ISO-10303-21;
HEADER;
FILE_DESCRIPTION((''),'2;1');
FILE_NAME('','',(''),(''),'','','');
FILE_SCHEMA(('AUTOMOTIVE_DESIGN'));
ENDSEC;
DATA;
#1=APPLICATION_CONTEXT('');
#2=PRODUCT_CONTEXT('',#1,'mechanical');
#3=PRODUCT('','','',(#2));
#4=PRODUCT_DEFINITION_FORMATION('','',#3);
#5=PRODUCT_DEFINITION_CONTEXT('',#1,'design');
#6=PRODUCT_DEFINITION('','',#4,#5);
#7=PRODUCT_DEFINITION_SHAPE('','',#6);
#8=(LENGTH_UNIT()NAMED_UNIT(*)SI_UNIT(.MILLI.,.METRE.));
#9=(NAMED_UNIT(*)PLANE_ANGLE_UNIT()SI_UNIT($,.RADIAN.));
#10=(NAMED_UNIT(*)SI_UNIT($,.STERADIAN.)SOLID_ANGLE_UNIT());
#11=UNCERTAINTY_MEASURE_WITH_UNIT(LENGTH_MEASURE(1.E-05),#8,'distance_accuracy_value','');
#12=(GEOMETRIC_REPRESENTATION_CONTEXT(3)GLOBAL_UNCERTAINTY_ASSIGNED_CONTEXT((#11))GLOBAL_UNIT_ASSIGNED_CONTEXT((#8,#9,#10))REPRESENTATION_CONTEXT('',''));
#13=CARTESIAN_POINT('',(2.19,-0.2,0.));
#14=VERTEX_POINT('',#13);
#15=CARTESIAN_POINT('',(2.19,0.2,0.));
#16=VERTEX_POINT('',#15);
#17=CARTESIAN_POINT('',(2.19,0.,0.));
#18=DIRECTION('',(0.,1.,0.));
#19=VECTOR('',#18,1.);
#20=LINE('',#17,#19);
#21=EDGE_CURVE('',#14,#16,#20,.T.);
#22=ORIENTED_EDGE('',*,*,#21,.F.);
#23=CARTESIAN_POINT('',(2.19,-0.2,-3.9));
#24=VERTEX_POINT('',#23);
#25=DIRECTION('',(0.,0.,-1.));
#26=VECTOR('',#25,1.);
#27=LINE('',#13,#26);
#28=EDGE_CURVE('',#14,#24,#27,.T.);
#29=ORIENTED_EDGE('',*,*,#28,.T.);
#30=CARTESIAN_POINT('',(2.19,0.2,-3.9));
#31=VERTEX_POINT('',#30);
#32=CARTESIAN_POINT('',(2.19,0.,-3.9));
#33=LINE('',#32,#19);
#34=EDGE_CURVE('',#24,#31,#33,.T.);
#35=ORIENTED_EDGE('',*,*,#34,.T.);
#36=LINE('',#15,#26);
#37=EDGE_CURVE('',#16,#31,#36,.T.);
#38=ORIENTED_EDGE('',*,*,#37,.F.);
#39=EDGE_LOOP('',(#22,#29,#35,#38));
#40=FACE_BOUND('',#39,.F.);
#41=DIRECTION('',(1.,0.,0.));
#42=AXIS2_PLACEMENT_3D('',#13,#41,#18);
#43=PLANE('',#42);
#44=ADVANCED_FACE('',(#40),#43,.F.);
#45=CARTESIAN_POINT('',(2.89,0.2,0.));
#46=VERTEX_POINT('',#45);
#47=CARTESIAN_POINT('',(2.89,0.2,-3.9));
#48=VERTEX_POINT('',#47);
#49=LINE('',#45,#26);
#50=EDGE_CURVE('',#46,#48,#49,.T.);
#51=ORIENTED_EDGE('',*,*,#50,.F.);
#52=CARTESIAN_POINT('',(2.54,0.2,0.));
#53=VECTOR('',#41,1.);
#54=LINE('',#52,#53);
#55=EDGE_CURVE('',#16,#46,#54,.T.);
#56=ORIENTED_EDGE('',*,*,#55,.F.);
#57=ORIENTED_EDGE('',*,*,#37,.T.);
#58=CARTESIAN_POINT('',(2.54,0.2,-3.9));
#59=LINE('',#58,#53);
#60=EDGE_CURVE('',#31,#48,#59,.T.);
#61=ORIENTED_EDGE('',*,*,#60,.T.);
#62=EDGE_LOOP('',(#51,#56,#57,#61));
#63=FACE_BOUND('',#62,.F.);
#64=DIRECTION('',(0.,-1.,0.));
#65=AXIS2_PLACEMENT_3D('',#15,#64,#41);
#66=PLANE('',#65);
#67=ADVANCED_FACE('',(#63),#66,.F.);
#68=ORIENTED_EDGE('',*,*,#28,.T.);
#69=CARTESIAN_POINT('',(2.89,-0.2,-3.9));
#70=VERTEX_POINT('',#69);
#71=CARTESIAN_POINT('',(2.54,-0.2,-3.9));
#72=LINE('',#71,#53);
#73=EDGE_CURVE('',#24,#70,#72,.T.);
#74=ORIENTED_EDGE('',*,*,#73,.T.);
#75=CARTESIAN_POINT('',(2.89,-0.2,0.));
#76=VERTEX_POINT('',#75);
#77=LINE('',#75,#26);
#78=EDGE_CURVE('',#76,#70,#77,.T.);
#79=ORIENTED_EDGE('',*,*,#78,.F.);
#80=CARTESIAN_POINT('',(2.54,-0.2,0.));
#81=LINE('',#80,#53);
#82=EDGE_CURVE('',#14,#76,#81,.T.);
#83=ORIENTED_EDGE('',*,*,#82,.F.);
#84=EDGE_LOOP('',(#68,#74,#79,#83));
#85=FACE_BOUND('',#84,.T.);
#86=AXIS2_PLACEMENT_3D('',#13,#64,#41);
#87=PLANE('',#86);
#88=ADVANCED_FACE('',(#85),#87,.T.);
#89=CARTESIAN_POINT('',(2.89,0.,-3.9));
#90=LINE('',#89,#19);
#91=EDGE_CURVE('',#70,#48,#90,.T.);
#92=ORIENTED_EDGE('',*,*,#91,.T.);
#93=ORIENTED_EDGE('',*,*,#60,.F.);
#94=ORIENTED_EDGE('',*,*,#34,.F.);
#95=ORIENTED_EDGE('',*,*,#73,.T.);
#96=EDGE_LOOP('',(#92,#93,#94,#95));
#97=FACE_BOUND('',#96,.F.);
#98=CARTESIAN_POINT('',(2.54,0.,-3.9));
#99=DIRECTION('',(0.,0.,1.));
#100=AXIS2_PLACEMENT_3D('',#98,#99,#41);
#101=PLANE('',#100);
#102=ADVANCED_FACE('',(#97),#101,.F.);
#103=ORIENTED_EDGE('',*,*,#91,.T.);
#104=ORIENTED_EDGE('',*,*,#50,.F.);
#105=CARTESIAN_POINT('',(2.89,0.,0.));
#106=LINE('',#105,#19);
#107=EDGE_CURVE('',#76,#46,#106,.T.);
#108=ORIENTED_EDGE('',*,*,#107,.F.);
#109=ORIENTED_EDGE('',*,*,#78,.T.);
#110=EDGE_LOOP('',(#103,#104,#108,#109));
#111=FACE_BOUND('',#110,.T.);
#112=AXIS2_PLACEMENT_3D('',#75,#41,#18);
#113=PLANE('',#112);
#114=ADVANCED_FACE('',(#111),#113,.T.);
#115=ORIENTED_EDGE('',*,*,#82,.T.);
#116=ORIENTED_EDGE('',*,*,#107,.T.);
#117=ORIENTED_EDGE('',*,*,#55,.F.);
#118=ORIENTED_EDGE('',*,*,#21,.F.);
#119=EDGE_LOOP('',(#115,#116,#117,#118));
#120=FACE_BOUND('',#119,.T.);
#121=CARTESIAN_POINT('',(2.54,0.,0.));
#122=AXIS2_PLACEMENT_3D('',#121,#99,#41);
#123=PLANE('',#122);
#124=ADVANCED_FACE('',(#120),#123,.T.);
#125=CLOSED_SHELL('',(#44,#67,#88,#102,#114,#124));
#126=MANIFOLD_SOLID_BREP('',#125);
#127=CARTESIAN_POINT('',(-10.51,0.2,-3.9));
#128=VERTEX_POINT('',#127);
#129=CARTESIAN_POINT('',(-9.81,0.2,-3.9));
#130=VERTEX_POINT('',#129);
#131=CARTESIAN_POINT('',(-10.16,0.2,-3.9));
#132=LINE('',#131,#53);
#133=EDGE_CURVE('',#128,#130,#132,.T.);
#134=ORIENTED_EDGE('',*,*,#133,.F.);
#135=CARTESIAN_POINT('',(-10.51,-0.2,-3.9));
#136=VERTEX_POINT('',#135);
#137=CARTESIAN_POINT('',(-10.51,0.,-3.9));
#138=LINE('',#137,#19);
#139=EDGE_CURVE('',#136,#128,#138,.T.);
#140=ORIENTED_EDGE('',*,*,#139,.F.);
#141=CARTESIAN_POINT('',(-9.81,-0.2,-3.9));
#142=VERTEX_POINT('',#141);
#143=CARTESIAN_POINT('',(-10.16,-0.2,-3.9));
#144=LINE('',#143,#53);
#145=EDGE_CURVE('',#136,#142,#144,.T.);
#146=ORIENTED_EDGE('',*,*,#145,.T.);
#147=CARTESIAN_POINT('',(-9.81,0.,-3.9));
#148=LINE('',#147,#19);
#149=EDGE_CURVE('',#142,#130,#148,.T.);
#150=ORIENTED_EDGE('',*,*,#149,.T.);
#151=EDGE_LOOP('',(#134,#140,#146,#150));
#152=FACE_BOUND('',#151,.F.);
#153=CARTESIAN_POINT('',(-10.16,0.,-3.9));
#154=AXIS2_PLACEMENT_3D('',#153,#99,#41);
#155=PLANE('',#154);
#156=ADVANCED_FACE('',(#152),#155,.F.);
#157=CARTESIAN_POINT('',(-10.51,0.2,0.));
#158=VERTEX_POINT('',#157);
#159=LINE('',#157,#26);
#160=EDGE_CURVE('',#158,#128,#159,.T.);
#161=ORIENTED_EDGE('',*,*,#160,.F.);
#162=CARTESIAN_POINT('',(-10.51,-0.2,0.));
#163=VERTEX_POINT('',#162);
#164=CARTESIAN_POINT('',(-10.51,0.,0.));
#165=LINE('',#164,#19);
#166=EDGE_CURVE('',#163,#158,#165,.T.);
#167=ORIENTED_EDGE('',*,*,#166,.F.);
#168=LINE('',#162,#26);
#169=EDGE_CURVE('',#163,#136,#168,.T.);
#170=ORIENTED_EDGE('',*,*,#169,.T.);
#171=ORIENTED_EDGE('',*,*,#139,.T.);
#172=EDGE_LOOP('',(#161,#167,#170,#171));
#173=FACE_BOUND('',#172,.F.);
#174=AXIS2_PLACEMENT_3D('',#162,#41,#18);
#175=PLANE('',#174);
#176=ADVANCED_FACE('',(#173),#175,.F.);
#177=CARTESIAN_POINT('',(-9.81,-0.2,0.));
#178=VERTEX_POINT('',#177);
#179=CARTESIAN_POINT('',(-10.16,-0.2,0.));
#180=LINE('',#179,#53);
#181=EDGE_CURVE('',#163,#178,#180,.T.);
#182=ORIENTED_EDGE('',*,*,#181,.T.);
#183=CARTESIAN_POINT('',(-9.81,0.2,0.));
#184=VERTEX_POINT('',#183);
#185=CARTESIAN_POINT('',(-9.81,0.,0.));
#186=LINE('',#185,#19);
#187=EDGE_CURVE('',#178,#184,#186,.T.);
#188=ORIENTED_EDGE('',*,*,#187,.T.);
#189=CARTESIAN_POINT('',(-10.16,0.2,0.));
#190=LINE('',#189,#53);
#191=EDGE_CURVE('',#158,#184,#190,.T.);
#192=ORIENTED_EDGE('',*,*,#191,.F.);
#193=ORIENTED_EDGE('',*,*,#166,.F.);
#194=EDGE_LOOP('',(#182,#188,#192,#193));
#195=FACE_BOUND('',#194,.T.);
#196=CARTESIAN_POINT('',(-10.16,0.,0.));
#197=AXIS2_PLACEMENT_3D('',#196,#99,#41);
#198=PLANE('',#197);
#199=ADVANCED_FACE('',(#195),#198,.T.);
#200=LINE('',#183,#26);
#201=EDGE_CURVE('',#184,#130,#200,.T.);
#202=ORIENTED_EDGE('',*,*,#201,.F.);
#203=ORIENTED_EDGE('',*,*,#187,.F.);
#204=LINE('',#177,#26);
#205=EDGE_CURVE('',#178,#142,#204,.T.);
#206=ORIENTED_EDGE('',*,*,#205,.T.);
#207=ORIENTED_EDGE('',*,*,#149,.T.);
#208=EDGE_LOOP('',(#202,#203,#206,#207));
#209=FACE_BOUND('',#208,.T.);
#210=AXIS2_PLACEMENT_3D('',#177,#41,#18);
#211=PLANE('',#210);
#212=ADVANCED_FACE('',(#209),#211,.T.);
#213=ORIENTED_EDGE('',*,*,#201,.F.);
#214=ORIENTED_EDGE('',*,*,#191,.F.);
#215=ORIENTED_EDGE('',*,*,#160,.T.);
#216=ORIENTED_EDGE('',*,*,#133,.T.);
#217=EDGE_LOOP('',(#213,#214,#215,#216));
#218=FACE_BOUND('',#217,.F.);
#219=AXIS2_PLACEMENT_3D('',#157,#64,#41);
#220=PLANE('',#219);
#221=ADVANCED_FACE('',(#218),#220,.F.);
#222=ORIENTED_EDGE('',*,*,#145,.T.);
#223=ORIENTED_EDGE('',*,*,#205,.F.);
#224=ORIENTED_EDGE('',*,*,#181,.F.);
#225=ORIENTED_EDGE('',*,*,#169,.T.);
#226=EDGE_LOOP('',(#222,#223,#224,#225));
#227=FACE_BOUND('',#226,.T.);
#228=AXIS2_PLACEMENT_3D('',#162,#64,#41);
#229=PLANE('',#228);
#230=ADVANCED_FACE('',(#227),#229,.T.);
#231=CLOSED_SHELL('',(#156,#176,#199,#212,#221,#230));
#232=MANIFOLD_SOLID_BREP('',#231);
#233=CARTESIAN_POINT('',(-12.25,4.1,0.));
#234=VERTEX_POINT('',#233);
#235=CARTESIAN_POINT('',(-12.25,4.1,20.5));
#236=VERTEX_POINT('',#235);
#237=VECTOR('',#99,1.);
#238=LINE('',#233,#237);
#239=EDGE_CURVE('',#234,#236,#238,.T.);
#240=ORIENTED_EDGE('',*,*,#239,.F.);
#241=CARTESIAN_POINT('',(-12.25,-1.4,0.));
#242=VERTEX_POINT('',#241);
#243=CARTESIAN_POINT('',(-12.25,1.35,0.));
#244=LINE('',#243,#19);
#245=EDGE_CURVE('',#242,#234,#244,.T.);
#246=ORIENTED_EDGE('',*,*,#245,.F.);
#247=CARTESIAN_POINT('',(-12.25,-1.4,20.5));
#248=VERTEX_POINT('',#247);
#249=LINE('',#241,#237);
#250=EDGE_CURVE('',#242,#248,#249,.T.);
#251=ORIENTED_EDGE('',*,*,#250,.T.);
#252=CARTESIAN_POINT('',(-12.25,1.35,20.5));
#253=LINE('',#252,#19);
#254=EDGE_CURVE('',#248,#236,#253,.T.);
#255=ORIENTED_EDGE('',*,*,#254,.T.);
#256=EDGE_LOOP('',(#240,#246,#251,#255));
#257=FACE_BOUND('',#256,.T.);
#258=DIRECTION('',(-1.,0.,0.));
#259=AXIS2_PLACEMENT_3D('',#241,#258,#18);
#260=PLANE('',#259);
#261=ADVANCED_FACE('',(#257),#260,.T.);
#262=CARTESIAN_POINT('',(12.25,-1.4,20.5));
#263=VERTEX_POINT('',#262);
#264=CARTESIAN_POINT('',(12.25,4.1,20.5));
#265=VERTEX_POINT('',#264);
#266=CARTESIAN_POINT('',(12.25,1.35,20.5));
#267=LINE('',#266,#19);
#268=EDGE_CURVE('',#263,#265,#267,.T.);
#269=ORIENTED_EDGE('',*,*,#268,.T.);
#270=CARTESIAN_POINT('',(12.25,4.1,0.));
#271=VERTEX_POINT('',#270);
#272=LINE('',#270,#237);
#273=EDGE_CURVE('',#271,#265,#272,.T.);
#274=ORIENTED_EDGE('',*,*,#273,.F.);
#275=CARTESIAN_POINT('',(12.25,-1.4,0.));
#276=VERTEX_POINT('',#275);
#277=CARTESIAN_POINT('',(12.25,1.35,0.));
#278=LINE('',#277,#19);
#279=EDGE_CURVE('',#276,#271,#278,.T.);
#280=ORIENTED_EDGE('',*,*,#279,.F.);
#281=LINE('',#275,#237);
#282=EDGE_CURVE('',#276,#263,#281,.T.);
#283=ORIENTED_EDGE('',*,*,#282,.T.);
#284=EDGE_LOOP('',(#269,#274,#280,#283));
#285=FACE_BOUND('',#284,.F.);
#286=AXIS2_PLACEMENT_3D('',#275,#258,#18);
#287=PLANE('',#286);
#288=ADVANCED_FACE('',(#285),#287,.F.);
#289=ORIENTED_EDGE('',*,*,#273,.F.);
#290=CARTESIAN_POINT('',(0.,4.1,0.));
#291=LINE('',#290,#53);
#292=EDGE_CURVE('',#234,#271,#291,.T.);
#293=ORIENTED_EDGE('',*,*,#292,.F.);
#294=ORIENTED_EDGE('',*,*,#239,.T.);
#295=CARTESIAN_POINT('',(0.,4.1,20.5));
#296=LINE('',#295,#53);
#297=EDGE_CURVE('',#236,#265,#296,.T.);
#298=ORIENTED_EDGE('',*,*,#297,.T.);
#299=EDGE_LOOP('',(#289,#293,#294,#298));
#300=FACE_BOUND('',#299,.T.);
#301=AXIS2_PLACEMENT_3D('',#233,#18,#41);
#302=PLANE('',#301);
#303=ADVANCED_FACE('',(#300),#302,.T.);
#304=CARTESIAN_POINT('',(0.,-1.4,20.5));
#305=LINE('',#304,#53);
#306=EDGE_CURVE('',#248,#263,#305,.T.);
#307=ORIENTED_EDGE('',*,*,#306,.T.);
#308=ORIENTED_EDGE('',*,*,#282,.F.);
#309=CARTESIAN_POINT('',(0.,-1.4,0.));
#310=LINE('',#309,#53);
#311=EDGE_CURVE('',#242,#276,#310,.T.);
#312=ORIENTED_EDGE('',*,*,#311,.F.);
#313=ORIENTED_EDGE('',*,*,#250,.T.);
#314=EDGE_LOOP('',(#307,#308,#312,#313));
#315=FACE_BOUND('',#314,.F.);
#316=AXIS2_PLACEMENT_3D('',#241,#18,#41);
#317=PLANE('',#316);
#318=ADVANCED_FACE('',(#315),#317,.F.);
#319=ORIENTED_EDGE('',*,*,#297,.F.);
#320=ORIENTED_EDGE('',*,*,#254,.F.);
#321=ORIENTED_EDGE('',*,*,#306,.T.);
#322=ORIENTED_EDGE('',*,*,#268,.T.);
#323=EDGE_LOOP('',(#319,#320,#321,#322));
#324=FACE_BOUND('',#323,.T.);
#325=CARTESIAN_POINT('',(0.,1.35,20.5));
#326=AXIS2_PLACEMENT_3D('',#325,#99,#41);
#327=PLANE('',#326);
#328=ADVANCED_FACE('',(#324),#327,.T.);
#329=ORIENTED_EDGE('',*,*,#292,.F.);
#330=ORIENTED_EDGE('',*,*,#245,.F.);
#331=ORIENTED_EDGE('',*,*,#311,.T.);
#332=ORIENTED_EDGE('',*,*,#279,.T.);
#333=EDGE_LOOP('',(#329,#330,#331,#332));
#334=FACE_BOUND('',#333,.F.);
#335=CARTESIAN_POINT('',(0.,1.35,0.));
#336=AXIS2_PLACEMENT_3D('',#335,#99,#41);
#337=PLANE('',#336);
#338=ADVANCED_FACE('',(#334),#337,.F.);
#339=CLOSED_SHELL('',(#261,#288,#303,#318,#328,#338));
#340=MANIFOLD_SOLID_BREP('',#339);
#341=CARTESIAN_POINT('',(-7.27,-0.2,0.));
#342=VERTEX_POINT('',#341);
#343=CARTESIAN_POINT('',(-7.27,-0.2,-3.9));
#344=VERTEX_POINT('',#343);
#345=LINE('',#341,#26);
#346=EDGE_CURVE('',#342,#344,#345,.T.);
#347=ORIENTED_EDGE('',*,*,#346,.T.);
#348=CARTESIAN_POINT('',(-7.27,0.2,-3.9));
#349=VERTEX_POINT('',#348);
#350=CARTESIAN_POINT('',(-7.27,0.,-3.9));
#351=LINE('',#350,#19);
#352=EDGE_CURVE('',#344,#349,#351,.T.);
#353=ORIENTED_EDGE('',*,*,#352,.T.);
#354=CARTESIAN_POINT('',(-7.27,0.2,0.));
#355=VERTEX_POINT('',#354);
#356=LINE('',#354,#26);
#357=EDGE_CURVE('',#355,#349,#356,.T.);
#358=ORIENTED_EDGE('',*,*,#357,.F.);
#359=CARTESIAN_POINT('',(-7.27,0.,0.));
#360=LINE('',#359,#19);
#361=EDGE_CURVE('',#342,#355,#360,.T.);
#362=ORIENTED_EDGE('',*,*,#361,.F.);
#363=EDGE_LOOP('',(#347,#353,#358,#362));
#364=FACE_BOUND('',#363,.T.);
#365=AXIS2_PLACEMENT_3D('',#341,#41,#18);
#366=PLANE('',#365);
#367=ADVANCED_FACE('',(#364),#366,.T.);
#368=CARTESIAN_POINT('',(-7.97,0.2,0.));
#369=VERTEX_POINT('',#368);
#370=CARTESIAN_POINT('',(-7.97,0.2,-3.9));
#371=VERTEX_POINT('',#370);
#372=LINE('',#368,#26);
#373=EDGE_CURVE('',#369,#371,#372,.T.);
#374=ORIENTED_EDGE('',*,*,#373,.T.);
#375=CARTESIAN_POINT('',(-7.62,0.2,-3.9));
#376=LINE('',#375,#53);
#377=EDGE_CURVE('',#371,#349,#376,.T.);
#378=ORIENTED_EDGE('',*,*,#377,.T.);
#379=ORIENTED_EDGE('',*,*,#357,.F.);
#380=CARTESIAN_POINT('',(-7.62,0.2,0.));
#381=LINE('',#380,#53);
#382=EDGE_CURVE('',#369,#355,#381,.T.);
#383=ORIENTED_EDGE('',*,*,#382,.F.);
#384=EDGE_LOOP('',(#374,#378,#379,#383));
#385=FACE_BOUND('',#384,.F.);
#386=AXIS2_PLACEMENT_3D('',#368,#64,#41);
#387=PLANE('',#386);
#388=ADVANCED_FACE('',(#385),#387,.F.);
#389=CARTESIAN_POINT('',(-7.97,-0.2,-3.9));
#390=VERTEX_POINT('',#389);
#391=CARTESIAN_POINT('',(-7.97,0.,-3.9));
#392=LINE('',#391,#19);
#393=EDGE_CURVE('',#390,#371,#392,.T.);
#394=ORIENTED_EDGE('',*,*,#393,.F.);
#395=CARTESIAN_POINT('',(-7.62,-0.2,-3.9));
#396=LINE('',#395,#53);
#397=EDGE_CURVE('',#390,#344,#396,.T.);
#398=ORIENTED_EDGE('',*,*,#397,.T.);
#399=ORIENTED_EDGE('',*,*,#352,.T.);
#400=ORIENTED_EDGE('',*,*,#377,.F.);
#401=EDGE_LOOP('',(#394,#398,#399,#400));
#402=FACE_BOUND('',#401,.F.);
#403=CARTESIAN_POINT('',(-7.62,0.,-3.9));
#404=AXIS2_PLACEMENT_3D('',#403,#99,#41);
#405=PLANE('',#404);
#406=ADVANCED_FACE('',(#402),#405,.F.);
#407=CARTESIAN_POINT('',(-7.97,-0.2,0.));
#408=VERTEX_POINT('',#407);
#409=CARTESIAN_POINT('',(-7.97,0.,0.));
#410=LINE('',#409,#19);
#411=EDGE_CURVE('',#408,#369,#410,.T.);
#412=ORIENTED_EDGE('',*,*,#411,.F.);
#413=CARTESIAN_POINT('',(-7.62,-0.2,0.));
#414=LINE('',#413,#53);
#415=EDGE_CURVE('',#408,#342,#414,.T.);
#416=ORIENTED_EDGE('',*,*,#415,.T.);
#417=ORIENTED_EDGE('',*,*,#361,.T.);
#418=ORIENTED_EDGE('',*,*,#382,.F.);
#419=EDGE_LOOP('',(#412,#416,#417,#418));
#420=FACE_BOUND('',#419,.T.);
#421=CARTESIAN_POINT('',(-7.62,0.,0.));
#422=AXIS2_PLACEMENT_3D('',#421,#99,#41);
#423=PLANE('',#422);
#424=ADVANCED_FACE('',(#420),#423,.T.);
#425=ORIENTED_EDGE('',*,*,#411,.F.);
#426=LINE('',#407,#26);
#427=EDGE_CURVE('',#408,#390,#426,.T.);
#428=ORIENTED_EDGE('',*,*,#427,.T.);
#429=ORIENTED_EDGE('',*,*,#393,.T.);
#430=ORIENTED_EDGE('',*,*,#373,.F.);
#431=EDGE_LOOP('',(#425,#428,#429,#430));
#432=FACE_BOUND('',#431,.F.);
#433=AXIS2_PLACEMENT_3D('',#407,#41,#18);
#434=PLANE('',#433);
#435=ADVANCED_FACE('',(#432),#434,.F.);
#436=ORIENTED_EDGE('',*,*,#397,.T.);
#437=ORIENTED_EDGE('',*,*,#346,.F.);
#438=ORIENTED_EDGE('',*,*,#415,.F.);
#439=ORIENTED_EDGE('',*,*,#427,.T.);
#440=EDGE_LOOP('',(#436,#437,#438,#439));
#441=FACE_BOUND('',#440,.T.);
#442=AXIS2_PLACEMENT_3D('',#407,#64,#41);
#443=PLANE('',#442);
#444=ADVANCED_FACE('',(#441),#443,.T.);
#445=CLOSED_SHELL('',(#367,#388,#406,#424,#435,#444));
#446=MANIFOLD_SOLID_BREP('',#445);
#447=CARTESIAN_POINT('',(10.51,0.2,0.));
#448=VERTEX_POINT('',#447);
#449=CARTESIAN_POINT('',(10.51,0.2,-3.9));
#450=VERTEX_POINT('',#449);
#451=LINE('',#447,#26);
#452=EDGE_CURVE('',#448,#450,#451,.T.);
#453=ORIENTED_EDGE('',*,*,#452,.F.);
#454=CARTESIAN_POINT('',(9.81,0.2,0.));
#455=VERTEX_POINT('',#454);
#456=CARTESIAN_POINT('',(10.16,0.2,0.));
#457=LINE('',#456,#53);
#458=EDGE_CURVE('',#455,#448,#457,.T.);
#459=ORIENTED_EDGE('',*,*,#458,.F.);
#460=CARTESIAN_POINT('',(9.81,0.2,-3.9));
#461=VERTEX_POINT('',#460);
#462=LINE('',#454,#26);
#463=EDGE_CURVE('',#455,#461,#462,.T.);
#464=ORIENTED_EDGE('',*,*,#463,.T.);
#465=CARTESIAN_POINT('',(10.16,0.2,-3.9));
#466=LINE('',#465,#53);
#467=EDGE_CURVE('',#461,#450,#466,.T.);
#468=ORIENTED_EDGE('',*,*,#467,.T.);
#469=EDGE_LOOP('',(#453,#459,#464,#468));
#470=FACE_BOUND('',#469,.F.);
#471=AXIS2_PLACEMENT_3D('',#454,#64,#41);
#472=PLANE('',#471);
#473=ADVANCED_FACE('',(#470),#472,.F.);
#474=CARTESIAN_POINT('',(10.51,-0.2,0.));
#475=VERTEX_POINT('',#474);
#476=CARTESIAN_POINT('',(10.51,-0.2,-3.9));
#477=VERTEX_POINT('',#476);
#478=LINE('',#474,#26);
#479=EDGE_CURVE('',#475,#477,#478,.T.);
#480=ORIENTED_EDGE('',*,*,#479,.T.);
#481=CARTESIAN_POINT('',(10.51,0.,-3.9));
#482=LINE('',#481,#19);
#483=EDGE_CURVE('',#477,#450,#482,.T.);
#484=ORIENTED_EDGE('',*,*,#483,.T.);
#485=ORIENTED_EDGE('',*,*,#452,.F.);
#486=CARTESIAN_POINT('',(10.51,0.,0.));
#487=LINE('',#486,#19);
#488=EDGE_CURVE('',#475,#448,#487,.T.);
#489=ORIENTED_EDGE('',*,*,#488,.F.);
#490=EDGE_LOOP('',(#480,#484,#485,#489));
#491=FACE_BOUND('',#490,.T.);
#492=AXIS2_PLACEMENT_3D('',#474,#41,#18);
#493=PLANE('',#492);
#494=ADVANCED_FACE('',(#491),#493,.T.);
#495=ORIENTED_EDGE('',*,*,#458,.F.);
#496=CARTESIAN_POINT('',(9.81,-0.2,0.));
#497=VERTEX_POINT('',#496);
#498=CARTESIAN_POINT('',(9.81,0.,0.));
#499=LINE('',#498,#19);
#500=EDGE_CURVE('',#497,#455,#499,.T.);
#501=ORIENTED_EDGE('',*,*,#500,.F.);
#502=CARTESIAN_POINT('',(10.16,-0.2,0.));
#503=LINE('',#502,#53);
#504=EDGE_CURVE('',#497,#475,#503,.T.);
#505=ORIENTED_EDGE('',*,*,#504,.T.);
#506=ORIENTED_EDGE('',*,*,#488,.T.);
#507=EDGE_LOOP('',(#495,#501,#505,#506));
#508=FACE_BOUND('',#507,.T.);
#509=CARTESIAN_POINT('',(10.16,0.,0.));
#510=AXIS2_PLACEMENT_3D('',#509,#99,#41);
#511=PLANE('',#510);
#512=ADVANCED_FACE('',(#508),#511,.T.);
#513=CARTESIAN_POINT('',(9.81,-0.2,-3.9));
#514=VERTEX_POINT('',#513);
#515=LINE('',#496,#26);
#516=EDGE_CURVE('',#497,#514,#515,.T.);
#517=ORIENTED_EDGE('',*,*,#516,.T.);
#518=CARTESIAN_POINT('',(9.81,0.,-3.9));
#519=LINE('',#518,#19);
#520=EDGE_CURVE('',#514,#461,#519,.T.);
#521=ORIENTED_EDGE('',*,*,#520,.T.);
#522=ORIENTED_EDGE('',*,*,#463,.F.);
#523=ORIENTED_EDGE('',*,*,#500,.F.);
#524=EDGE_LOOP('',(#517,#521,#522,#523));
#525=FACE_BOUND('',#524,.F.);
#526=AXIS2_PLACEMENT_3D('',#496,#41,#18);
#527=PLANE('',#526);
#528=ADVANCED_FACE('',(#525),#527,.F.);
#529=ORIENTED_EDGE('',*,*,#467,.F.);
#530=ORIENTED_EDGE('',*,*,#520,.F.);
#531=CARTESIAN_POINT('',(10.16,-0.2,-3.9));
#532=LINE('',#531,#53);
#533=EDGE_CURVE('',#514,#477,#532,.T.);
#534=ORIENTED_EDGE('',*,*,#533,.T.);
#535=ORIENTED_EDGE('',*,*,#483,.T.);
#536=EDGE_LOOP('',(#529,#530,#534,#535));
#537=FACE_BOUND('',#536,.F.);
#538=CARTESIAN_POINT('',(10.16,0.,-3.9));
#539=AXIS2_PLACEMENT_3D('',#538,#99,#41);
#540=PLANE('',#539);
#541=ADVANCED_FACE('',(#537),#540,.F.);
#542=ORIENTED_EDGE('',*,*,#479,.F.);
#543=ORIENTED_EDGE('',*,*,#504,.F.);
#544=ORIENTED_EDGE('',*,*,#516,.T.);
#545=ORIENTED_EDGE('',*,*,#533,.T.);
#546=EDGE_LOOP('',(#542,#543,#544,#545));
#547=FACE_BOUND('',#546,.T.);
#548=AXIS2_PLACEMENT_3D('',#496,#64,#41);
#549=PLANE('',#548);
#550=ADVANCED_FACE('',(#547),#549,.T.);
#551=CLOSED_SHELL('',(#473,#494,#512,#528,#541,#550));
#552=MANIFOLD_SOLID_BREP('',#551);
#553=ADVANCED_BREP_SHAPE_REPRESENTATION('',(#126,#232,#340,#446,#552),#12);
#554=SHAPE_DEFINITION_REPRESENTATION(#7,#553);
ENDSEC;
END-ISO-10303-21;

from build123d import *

# Parameters (mm, degrees)
F0_W     = 24.5
F0_H     = 5.5
F0_W_2   = 0.7
F0_H_2   = 0.4
F1_DEPTH = 20.5
F2_DEPTH = 3.9


with BuildPart() as f1:
    # F0 (on Top) → F1 (new body)
    with BuildSketch(Plane.XY):
        with Locations((0, 1.35)):
            Rectangle(F0_W, F0_H)
        with Locations((-10.16, 0)):
            Rectangle(F0_W_2, F0_H_2, mode=Mode.SUBTRACT)
        with Locations((-7.62, 0)):
            Rectangle(F0_W_2, F0_H_2, mode=Mode.SUBTRACT)
        with Locations((2.54, 0)):
            Rectangle(F0_W_2, F0_H_2, mode=Mode.SUBTRACT)
        with Locations((10.16, 0)):
            Rectangle(F0_W_2, F0_H_2, mode=Mode.SUBTRACT)
        with Locations((-10.16, 0)):
            Rectangle(F0_W_2, F0_H_2)
        with Locations((2.54, 0)):
            Rectangle(F0_W_2, F0_H_2)
        with Locations((10.16, 0)):
            Rectangle(F0_W_2, F0_H_2)
        with Locations((-7.62, 0)):
            Rectangle(F0_W_2, F0_H_2)
    extrude(amount=F1_DEPTH)


with BuildPart() as f2:
    # F0 (on Top) → F2 (new body)
    with BuildSketch(Plane.XY):
        with Locations((-10.16, 0)):
            Rectangle(F0_W_2, F0_H_2)
    extrude(amount=-F2_DEPTH)


with BuildPart() as f2b:
    # F0 (on Top) → F2, piece 2 (new body)
    with BuildSketch(Plane.XY):
        with Locations((-7.62, 0)):
            Rectangle(F0_W_2, F0_H_2)
    extrude(amount=-F2_DEPTH)


with BuildPart() as f2c:
    # F0 (on Top) → F2, piece 3 (new body)
    with BuildSketch(Plane.XY):
        with Locations((2.54, 0)):
            Rectangle(F0_W_2, F0_H_2)
    extrude(amount=-F2_DEPTH)


with BuildPart() as f2d:
    # F0 (on Top) → F2, piece 4 (new body)
    with BuildSketch(Plane.XY):
        with Locations((10.16, 0)):
            Rectangle(F0_W_2, F0_H_2)
    extrude(amount=-F2_DEPTH)


solid = Compound([f1.part, f2.part, f2b.part, f2c.part, f2d.part])
